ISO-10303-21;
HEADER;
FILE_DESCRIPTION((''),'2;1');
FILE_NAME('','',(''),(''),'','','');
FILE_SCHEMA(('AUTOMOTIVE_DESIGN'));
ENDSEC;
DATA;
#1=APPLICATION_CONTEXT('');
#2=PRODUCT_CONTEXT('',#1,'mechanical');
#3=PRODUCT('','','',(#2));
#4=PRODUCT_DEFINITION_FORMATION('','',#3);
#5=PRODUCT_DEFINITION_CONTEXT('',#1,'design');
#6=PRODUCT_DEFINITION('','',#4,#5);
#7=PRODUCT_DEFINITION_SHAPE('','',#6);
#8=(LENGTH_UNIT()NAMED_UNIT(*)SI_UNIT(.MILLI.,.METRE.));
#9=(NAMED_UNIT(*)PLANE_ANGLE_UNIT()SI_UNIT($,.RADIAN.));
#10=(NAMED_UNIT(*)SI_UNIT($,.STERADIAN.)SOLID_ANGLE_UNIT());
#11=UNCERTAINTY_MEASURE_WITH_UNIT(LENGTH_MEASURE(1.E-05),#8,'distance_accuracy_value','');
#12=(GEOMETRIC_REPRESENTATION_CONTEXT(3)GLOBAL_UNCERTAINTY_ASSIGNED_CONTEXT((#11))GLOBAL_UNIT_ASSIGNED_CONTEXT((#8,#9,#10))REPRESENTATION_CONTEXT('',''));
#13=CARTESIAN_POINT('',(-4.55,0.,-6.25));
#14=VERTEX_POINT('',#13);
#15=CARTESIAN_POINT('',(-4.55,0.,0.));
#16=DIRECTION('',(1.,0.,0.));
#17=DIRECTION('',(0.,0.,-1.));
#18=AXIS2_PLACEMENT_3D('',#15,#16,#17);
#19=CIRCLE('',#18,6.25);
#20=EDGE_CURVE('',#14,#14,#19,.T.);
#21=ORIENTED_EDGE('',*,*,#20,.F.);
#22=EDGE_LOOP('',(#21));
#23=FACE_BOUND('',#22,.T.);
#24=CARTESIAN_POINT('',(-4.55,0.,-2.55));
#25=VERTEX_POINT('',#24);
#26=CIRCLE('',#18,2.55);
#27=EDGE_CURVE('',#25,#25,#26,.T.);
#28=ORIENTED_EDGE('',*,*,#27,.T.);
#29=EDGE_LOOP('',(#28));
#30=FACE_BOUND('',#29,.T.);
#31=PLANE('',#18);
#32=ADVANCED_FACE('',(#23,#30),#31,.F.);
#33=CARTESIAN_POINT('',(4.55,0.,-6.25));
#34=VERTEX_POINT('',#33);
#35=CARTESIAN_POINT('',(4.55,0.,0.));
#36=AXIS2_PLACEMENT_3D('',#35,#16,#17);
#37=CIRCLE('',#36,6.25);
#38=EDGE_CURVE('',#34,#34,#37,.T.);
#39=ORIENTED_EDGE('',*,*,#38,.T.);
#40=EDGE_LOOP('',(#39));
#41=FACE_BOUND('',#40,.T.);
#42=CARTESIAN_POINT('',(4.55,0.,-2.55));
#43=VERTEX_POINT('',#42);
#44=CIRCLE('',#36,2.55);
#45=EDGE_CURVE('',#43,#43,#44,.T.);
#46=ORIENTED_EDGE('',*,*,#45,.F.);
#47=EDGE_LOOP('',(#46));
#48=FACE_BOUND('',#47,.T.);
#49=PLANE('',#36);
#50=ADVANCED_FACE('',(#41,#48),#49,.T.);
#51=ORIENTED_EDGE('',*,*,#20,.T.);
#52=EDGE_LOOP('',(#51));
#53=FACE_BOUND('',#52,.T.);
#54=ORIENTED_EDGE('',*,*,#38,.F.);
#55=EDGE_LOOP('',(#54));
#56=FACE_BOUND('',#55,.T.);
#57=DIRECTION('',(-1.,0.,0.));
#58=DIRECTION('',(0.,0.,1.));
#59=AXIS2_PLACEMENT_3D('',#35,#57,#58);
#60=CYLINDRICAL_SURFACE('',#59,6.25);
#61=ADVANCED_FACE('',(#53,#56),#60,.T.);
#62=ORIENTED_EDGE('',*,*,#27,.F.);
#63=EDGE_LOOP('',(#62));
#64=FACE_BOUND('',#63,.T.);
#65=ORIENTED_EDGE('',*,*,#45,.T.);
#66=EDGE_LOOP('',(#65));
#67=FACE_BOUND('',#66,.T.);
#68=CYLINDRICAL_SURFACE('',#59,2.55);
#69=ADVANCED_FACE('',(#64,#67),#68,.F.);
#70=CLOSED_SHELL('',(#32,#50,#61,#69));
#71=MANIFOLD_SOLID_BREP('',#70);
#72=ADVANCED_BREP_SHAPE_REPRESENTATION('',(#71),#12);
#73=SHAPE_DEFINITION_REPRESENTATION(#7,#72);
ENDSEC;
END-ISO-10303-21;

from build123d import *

# Parameters (mm, degrees)
SKETCH1_R           = 6.25
SKETCH1_R_2         = 2.55
BOSS_EXTRUDE1_DEPTH = 4.55


with BuildPart() as part:
    # Sketch1 → Boss-Extrude1 (new body, symmetric)
    with BuildSketch(Plane(origin=(0, 0, 0), x_dir=(0, 0, -1), z_dir=(1, 0, 0))):
        Circle(SKETCH1_R)
        Circle(SKETCH1_R_2, mode=Mode.SUBTRACT)
    extrude(amount=BOSS_EXTRUDE1_DEPTH, both=True)


solid = part.part
